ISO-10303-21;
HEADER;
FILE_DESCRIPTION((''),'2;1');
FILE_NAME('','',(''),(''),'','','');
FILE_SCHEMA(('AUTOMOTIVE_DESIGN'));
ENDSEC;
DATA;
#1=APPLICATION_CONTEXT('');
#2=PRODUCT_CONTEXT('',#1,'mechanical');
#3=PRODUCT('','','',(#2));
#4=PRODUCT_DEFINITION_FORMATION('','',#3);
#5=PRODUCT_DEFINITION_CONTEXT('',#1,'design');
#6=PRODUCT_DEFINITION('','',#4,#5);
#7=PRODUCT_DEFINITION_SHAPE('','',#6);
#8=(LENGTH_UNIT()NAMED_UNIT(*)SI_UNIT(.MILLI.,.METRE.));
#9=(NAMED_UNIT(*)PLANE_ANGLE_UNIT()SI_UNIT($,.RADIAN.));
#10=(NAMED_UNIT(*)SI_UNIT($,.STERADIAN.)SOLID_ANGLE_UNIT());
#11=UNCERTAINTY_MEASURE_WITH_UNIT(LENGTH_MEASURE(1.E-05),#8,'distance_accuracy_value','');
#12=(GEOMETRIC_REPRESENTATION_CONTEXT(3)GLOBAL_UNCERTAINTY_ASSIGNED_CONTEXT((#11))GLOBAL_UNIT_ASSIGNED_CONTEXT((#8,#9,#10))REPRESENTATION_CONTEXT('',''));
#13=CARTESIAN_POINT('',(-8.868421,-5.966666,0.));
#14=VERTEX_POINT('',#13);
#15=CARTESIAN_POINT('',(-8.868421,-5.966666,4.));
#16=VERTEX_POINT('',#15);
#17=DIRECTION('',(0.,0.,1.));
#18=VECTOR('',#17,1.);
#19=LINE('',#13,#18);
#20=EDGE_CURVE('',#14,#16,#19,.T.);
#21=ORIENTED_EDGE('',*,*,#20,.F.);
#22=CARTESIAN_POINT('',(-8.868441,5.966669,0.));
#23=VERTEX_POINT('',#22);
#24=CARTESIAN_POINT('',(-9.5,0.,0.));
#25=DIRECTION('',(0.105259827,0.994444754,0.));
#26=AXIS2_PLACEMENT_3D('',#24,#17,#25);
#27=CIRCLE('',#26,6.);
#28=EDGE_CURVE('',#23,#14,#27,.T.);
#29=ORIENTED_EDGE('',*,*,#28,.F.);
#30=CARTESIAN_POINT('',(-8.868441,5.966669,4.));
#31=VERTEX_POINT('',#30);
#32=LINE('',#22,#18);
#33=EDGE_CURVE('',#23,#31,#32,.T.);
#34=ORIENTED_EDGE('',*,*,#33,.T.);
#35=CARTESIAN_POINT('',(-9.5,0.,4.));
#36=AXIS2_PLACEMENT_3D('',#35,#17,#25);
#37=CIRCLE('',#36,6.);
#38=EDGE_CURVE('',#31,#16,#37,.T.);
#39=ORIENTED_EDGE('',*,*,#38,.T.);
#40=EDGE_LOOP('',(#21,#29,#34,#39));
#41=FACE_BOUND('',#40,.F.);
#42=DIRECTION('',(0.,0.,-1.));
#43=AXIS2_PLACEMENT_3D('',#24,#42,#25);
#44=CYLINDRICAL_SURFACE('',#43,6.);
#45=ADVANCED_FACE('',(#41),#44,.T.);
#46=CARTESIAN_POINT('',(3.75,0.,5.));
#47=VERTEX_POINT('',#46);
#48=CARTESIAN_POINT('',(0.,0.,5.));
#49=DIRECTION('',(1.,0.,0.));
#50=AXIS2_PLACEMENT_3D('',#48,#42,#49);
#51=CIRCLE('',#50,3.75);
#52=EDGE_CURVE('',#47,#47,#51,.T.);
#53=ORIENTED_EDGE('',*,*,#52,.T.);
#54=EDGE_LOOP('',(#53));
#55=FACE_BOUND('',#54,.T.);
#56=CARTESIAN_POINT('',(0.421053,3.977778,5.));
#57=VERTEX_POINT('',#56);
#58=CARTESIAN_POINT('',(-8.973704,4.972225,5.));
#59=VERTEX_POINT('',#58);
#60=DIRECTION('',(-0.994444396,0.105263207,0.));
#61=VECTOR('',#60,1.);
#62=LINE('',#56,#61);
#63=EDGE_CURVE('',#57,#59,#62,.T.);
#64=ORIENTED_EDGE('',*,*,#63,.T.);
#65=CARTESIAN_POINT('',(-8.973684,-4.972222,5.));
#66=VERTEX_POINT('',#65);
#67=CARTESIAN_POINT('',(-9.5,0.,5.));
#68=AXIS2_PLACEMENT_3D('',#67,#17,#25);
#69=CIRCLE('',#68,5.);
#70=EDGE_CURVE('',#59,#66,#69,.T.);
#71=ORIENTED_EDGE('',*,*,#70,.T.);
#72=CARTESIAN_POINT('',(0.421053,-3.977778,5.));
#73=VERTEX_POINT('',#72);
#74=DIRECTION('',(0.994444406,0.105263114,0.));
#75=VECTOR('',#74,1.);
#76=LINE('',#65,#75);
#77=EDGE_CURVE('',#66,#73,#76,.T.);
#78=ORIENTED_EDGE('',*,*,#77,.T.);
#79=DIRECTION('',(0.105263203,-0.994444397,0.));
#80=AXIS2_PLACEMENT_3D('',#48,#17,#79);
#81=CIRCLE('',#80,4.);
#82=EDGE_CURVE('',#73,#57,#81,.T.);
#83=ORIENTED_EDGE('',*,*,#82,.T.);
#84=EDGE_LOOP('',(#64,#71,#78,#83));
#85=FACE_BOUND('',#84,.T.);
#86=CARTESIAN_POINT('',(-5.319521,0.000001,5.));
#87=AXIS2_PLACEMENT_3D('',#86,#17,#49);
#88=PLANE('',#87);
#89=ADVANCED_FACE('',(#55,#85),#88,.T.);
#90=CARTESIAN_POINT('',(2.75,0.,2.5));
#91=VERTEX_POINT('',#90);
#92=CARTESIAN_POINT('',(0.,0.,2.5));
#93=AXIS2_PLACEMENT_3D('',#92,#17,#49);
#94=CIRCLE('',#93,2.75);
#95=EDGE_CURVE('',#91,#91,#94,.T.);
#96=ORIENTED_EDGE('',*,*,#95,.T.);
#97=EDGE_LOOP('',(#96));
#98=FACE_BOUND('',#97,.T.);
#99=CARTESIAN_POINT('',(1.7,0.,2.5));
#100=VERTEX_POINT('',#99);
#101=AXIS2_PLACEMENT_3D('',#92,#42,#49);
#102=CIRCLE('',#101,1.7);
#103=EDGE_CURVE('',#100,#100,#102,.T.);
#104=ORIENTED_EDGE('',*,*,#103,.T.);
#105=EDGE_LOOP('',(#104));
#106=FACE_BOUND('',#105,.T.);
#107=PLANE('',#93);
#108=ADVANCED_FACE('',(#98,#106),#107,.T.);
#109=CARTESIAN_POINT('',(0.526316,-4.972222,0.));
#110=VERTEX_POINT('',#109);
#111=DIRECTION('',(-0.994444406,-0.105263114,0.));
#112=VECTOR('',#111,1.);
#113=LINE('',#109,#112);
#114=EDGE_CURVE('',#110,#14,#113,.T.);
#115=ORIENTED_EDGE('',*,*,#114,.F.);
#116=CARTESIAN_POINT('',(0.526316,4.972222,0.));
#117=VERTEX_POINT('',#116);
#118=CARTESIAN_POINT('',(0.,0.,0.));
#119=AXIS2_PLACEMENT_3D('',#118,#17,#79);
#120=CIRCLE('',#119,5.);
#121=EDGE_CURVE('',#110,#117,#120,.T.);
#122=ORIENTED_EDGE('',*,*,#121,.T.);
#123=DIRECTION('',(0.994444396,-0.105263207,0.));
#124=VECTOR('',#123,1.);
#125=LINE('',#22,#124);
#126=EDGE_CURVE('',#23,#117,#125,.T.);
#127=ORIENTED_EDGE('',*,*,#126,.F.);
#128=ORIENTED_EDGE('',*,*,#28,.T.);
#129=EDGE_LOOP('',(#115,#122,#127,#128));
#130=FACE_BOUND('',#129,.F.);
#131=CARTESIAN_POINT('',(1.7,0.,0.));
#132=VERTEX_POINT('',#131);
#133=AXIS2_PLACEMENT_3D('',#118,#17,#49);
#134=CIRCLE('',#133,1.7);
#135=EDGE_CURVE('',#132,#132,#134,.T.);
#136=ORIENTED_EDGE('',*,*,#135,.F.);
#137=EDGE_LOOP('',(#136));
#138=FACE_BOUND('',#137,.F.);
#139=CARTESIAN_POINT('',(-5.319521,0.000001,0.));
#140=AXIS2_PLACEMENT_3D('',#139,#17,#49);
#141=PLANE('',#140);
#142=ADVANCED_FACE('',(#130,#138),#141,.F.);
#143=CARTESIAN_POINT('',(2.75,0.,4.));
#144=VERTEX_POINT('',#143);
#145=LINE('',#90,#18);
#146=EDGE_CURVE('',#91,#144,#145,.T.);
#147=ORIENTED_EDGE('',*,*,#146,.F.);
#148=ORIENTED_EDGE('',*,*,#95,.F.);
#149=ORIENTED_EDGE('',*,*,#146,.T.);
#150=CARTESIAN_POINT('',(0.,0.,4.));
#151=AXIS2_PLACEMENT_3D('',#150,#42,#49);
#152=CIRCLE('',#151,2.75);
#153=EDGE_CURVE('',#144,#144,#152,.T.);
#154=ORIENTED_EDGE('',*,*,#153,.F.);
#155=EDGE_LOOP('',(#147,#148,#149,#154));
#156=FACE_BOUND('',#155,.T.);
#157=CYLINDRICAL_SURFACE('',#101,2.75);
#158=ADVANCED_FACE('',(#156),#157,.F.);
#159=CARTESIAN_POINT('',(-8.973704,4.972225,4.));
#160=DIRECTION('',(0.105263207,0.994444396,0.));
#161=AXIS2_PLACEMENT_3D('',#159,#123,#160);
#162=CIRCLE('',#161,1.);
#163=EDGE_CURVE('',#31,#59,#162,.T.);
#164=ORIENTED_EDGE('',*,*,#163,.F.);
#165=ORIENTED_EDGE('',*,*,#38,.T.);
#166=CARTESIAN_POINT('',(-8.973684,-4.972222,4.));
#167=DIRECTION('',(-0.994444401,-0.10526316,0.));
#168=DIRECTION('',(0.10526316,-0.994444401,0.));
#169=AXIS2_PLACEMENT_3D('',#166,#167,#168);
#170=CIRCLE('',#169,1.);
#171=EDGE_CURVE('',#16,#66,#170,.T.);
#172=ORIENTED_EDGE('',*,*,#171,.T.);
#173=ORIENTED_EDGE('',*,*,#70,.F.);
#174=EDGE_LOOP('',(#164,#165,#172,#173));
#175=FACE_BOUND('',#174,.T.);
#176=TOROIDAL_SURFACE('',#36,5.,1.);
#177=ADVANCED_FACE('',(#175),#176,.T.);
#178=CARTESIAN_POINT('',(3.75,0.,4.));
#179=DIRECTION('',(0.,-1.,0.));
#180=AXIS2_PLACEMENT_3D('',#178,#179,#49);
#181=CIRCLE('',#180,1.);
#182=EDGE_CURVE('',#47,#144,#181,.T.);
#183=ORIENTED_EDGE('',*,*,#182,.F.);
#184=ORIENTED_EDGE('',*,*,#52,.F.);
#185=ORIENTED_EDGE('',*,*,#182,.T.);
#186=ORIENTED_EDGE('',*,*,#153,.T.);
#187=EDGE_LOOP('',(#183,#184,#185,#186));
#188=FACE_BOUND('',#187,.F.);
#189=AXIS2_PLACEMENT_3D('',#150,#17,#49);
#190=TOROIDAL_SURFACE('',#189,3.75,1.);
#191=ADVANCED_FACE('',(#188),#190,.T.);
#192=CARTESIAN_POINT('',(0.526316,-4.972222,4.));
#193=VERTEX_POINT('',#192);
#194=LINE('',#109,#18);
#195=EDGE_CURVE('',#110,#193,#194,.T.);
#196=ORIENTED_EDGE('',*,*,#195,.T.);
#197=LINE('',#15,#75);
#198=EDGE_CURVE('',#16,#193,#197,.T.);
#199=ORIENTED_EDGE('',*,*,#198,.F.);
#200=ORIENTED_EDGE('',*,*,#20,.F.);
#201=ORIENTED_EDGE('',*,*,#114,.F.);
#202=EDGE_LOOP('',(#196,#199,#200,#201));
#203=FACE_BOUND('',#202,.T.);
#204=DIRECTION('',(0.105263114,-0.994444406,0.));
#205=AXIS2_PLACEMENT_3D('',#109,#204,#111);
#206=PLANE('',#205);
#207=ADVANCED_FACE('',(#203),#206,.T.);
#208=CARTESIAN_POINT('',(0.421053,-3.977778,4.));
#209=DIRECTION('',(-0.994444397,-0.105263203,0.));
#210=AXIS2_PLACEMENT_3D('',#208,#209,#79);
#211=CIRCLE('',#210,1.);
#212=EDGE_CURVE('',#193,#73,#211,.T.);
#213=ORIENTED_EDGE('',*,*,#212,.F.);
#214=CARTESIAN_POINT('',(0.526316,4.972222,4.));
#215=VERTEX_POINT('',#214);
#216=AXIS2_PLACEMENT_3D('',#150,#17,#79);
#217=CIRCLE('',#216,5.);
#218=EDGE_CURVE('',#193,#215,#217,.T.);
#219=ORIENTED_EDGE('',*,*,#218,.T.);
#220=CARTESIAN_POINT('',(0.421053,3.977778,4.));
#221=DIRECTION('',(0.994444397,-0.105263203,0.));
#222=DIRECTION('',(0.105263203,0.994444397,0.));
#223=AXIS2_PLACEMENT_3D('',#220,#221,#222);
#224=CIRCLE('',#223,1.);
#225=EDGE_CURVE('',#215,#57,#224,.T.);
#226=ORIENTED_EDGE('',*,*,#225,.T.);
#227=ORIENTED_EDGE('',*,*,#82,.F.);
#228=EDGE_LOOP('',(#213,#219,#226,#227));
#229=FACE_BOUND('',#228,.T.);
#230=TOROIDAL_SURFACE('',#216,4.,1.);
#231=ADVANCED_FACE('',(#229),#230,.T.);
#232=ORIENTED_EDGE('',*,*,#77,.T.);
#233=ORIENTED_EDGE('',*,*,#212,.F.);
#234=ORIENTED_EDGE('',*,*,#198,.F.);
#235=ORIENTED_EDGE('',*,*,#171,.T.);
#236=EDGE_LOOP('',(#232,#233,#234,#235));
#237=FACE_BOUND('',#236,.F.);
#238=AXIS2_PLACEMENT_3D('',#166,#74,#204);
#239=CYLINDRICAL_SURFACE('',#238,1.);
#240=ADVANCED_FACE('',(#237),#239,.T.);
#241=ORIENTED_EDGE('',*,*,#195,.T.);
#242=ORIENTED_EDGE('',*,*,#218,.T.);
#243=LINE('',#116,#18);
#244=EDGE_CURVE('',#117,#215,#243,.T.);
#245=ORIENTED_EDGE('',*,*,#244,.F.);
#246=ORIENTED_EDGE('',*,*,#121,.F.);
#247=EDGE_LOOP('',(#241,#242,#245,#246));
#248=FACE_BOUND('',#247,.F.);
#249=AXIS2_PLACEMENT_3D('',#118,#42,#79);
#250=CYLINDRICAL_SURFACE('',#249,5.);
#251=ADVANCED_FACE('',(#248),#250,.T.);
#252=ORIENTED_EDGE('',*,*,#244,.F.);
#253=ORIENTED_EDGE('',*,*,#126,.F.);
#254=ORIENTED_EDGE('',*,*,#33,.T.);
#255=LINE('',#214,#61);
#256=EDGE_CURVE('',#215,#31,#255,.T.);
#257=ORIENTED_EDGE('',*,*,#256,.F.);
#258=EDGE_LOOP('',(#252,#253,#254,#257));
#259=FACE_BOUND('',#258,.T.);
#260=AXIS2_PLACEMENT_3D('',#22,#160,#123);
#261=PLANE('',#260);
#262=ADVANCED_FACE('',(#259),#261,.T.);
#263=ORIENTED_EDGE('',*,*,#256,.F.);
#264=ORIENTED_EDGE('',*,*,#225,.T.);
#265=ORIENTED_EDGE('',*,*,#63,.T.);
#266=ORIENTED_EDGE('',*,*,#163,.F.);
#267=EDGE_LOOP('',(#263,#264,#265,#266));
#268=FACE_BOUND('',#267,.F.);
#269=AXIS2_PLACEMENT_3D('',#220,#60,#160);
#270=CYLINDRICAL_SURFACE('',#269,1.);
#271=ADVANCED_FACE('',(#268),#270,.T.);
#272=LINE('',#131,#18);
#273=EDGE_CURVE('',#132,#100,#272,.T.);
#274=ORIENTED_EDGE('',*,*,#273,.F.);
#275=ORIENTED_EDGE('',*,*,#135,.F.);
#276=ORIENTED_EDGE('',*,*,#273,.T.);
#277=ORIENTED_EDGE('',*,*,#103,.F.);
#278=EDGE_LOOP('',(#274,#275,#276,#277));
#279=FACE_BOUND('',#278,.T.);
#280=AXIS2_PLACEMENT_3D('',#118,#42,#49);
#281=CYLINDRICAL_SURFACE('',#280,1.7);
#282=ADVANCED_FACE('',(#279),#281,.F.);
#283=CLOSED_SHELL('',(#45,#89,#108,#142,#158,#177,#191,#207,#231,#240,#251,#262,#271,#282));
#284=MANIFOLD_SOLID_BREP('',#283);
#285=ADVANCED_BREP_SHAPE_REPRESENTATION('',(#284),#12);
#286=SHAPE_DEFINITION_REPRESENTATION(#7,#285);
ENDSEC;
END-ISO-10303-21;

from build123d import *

# Parameters (mm, degrees)
CYLINDER_R     = 2.75
CYLINDER_DEPTH = 10
SKETCH_R       = 1.7
PAD_DEPTH      = 5
FILLET_R       = 1


with BuildPart() as cylinder:
    # Cylinder → Cylinder (new body)
    with BuildSketch(Plane.XY.offset(2.5)):
        Circle(CYLINDER_R)
    extrude(amount=CYLINDER_DEPTH)


with BuildPart() as fillet_body:
    # Sketch → Pad (new body)
    with BuildSketch(Plane.XY):
        with BuildLine():
            ThreePointArc((0.526316, -4.972222), (5, 0), (0.526316, 4.972222))
            Line((-8.868441, 5.966669), (0.526316, 4.972222))
            ThreePointArc((-8.868441, 5.966669), (-15.5, -1e-05), (-8.868421, -5.966666))
            Line((0.526316, -4.972222), (-8.868421, -5.966666))
        make_face()
        Circle(SKETCH_R, mode=Mode.SUBTRACT)
    extrude(amount=PAD_DEPTH)

    # Cut: cut Cylinder
    add(cylinder.part, mode=Mode.SUBTRACT)

    # Fillet
    fillet_edges = [fillet_body.edges().sort_by_distance(p)[0] for p in [
        (5, 0, 5),
        (-4.171053, -5.469444, 5),
        (-4.171063, 5.469445, 5),
        (-15.5, -1e-05, 5),
        (-2.75, 0, 5),
    ]]
    fillet(fillet_edges, radius=FILLET_R)


solid = fillet_body.part
